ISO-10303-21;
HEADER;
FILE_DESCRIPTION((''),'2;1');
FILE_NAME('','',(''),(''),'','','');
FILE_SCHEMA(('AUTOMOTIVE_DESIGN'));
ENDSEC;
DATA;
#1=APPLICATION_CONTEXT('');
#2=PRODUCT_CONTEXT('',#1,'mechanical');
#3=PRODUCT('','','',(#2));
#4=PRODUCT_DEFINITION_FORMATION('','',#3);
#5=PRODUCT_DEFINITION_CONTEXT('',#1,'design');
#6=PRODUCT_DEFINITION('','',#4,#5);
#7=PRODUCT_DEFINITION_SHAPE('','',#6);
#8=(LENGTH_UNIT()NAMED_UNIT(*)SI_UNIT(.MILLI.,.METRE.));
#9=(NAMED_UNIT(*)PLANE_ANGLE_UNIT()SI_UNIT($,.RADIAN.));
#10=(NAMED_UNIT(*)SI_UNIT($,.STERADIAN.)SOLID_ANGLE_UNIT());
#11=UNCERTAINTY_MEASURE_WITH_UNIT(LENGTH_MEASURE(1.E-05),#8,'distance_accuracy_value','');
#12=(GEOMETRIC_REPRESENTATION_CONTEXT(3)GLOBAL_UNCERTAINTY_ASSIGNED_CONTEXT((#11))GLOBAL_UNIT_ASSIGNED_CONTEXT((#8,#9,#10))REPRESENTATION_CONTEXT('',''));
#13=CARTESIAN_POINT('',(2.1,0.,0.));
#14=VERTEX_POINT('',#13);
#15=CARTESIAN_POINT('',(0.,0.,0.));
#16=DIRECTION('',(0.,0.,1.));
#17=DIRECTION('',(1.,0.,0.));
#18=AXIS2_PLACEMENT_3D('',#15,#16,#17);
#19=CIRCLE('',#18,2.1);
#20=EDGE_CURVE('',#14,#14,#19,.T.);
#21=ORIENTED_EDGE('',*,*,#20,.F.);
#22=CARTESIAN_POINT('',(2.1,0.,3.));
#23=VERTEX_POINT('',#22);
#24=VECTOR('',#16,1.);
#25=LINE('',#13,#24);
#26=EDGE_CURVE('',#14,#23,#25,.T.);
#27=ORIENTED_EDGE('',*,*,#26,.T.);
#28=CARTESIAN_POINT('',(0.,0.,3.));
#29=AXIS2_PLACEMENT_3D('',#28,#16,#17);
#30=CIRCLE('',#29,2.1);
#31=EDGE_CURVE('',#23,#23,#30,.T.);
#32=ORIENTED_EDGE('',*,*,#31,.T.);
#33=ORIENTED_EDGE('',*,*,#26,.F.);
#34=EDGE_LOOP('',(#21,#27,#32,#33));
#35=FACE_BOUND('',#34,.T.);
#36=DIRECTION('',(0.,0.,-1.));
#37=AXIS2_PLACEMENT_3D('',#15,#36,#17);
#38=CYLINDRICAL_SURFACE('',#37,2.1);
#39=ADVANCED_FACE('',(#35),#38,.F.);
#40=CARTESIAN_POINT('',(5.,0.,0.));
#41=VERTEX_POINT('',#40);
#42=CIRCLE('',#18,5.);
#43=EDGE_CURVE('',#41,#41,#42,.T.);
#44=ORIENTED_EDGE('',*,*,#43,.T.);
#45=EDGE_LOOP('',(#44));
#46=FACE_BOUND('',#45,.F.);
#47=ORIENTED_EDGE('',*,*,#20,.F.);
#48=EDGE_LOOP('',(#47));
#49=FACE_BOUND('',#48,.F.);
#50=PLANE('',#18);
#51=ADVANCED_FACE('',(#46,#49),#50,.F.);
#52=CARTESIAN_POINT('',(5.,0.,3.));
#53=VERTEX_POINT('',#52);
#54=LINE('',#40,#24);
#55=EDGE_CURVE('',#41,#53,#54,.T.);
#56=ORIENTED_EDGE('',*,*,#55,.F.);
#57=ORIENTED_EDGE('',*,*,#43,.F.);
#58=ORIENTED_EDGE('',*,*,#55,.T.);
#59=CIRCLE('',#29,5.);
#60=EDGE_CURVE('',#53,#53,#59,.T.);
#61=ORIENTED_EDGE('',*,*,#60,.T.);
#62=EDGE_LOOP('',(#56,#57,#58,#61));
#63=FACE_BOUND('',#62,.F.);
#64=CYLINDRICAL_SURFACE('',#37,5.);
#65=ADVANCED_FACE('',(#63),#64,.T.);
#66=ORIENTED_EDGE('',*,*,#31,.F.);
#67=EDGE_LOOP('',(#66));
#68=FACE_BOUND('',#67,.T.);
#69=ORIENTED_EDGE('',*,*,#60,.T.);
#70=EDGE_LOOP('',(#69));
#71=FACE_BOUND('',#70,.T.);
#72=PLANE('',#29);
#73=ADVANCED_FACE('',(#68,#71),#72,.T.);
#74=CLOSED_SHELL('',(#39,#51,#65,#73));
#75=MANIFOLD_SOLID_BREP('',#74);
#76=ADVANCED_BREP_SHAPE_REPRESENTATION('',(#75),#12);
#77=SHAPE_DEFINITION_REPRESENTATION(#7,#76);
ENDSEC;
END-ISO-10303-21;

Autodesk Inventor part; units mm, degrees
ref_plane "YZ Plane" through (0, 0, 0) normal (1, 0, 0) x (0, 1, 0)
ref_plane "XZ Plane" through (0, 0, 0) normal (0, 1, 0) x (-1, 0, 0)
ref_plane "XY Plane" through (0, 0, 0) normal (0, 0, 1) x (1, 0, 0)
sketch "草圖4" plane through (0, 0, 0) normal (0, 0, 1) x (1, 0, 0)
  circle A0 centre (0, 0) radius 2.1
  circle A1 centre (0, 0) radius 5
  dimension "d24" = 4.2
  dimension "d25" = 10
extrude "擠出3" add sketch "草圖4" along normal blind 3
sketch "草圖6" plane through (0, 0, 3) normal (0, 0, 1) x (1, 0, 0)
  circle A0 centre (0, 0) radius 5 projected
  circle A1 centre (0, 0) radius 2.1 projected
